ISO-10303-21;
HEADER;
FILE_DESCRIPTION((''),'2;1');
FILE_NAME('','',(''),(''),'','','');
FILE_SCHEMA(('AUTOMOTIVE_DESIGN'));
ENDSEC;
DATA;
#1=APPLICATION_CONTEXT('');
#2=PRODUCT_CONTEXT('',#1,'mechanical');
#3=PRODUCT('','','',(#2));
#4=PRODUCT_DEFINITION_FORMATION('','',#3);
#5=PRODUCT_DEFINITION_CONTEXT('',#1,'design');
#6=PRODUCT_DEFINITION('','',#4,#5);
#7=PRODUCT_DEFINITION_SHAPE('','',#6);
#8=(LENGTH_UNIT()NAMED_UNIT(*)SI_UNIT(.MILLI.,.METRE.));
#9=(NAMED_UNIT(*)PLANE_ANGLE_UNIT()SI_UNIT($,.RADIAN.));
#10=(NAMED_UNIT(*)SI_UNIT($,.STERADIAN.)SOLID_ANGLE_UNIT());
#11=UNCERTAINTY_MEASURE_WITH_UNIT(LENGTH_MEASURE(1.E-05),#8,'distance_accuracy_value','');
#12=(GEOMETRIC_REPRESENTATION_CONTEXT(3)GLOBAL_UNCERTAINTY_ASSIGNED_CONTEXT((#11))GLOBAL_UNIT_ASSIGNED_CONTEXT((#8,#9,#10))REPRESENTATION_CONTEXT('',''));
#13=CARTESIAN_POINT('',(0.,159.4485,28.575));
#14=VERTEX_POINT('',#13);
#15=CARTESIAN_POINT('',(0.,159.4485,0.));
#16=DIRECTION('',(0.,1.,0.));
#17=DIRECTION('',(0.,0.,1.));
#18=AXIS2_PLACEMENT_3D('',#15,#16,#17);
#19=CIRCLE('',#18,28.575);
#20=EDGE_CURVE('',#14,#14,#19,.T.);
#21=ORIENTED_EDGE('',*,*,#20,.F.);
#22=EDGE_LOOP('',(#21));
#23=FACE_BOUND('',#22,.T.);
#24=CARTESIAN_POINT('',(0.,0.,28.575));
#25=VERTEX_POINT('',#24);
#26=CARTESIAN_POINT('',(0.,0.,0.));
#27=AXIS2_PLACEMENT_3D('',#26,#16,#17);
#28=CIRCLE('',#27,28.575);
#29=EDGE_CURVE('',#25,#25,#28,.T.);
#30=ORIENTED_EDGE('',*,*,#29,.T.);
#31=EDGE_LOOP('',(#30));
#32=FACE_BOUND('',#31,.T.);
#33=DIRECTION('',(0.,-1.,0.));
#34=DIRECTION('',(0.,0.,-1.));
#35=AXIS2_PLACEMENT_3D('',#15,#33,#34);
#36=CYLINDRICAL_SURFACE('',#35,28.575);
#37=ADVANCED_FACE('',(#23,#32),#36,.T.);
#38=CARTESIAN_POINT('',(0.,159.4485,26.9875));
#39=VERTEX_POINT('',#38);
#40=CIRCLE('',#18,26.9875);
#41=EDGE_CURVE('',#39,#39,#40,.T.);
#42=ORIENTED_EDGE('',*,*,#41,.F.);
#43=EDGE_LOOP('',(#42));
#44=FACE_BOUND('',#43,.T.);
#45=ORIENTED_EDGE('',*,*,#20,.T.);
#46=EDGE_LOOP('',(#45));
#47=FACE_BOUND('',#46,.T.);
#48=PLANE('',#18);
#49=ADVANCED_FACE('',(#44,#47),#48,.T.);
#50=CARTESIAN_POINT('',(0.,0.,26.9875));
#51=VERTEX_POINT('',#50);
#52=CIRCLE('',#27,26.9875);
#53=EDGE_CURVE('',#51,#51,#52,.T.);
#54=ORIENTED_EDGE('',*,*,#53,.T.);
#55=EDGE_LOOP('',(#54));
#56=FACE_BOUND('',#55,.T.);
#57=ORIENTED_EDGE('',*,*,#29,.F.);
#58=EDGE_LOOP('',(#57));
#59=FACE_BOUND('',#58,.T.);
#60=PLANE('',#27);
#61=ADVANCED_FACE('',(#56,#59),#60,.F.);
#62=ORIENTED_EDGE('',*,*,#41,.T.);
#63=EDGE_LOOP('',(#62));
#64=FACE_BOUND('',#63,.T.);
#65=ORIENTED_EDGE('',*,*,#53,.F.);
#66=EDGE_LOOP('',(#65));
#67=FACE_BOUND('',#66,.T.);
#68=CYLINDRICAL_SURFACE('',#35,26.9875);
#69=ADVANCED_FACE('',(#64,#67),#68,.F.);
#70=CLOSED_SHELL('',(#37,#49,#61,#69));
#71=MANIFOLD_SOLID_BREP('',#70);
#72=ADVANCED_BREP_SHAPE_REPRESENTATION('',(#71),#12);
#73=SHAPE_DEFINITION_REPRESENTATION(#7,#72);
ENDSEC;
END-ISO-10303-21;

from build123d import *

# Parameters (mm, degrees)
SKETCH1_R           = 28.575
SKETCH1_R_2         = 26.9875
BOSS_EXTRUDE1_DEPTH = 159.4485


with BuildPart() as part:
    # Sketch1 → Boss-Extrude1 (new body)
    with BuildSketch(Plane(origin=(0, 0, 0), x_dir=(1, 0, 0), z_dir=(0, 1, 0))):
        with Locations(Location((0, 0, 0), (0, 0, 270))):
            Circle(SKETCH1_R)
        with Locations(Location((0, 0, 0), (0, 0, 270))):
            Circle(SKETCH1_R_2, mode=Mode.SUBTRACT)
    extrude(amount=BOSS_EXTRUDE1_DEPTH)


solid = part.part
